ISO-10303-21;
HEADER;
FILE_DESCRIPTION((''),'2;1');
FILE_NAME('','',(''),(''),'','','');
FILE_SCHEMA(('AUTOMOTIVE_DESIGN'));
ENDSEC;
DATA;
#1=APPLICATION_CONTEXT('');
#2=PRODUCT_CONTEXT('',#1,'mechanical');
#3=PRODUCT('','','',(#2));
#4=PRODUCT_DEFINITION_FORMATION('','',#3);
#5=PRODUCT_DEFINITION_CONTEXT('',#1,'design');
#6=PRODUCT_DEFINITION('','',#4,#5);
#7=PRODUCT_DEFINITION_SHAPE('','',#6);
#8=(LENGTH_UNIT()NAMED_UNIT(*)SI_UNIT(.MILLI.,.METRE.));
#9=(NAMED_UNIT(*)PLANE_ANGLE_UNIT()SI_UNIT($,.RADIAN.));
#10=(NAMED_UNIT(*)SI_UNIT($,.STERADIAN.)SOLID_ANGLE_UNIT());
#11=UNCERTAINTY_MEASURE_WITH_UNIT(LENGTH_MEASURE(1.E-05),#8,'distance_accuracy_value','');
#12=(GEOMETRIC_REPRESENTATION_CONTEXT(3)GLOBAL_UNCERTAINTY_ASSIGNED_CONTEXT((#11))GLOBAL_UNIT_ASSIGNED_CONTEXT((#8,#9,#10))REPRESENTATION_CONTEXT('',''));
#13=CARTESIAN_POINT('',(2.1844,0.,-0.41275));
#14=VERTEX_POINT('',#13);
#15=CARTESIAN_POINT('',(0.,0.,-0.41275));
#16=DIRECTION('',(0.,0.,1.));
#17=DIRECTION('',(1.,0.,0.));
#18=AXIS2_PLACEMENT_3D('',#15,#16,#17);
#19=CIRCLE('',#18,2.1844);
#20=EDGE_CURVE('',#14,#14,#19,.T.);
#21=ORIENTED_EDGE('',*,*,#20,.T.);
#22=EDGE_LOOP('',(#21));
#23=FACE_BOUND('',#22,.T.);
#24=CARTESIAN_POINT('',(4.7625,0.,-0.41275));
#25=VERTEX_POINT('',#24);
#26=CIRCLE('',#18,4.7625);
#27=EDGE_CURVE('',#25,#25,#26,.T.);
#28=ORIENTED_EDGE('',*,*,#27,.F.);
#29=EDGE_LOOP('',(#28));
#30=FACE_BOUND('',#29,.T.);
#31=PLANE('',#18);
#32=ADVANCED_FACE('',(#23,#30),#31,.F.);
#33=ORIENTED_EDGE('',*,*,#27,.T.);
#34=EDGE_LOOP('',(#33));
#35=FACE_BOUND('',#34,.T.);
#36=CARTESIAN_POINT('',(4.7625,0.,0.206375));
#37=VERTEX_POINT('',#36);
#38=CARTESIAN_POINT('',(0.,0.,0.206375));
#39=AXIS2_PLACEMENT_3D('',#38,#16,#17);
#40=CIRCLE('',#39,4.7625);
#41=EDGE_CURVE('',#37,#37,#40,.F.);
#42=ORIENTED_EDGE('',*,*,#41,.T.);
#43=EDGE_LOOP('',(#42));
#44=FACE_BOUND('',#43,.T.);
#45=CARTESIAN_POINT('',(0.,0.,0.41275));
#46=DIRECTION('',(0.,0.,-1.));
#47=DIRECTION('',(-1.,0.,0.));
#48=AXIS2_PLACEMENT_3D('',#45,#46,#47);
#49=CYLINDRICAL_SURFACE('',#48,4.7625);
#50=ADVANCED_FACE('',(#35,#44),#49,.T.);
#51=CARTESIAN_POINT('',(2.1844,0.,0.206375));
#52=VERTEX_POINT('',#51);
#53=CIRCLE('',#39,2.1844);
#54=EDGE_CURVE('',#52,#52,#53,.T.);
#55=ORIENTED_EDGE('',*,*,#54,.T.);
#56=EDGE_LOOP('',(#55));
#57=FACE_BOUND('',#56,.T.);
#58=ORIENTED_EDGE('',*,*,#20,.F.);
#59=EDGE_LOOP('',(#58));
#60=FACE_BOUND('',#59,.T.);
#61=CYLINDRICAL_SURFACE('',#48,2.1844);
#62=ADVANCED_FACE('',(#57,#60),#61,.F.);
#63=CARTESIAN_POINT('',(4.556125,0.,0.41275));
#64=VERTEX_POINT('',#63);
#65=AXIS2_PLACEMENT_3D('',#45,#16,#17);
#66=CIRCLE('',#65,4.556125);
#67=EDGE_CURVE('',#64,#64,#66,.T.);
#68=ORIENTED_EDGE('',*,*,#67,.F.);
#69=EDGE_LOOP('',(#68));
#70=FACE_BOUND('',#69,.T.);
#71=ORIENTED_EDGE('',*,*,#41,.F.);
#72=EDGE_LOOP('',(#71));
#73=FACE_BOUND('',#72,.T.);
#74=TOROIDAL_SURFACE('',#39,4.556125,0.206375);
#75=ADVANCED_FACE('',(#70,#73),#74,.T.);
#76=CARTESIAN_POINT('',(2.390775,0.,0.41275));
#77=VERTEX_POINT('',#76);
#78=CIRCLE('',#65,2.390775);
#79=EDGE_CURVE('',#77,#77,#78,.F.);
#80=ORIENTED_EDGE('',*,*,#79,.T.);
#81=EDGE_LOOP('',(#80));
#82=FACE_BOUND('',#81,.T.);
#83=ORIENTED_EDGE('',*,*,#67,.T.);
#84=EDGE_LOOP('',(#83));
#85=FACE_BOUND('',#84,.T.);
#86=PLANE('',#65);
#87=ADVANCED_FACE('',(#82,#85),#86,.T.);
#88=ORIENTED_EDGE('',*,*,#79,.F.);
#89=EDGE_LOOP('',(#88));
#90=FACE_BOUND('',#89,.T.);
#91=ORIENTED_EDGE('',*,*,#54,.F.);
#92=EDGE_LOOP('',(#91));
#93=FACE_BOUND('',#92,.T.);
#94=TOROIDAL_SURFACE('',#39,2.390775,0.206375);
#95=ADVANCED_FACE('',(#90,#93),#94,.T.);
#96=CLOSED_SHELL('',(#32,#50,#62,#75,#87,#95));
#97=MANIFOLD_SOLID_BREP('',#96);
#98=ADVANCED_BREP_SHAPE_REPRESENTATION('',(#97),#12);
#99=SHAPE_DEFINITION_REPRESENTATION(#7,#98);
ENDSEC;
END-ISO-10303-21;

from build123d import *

# Parameters (mm, degrees)
SKETCH3_R                = 4.7625
SKETCH3_R_2              = 2.1844
BOSS_EXTRUDE1_DEPTH      = 0.41275
BOSS_EXTRUDE1_DEPTH_BACK = 0.41275
FILLET1_R                = 0.206375


with BuildPart() as part:
    # Sketch3 → Boss-Extrude1 (new body, two sides)
    with BuildSketch(Plane.XY) as boss_extrude1_sk:
        Circle(SKETCH3_R)
        Circle(SKETCH3_R_2, mode=Mode.SUBTRACT)
    extrude(amount=BOSS_EXTRUDE1_DEPTH)
    extrude(boss_extrude1_sk.sketch, amount=-BOSS_EXTRUDE1_DEPTH_BACK)

    # Fillet1
    fillet1_edges = [part.edges().sort_by_distance(p)[0] for p in [
        (-4.7625, 0, 0.41275),
        (-2.1844, 0, 0.41275),
    ]]
    fillet(fillet1_edges, radius=FILLET1_R)


solid = part.part
